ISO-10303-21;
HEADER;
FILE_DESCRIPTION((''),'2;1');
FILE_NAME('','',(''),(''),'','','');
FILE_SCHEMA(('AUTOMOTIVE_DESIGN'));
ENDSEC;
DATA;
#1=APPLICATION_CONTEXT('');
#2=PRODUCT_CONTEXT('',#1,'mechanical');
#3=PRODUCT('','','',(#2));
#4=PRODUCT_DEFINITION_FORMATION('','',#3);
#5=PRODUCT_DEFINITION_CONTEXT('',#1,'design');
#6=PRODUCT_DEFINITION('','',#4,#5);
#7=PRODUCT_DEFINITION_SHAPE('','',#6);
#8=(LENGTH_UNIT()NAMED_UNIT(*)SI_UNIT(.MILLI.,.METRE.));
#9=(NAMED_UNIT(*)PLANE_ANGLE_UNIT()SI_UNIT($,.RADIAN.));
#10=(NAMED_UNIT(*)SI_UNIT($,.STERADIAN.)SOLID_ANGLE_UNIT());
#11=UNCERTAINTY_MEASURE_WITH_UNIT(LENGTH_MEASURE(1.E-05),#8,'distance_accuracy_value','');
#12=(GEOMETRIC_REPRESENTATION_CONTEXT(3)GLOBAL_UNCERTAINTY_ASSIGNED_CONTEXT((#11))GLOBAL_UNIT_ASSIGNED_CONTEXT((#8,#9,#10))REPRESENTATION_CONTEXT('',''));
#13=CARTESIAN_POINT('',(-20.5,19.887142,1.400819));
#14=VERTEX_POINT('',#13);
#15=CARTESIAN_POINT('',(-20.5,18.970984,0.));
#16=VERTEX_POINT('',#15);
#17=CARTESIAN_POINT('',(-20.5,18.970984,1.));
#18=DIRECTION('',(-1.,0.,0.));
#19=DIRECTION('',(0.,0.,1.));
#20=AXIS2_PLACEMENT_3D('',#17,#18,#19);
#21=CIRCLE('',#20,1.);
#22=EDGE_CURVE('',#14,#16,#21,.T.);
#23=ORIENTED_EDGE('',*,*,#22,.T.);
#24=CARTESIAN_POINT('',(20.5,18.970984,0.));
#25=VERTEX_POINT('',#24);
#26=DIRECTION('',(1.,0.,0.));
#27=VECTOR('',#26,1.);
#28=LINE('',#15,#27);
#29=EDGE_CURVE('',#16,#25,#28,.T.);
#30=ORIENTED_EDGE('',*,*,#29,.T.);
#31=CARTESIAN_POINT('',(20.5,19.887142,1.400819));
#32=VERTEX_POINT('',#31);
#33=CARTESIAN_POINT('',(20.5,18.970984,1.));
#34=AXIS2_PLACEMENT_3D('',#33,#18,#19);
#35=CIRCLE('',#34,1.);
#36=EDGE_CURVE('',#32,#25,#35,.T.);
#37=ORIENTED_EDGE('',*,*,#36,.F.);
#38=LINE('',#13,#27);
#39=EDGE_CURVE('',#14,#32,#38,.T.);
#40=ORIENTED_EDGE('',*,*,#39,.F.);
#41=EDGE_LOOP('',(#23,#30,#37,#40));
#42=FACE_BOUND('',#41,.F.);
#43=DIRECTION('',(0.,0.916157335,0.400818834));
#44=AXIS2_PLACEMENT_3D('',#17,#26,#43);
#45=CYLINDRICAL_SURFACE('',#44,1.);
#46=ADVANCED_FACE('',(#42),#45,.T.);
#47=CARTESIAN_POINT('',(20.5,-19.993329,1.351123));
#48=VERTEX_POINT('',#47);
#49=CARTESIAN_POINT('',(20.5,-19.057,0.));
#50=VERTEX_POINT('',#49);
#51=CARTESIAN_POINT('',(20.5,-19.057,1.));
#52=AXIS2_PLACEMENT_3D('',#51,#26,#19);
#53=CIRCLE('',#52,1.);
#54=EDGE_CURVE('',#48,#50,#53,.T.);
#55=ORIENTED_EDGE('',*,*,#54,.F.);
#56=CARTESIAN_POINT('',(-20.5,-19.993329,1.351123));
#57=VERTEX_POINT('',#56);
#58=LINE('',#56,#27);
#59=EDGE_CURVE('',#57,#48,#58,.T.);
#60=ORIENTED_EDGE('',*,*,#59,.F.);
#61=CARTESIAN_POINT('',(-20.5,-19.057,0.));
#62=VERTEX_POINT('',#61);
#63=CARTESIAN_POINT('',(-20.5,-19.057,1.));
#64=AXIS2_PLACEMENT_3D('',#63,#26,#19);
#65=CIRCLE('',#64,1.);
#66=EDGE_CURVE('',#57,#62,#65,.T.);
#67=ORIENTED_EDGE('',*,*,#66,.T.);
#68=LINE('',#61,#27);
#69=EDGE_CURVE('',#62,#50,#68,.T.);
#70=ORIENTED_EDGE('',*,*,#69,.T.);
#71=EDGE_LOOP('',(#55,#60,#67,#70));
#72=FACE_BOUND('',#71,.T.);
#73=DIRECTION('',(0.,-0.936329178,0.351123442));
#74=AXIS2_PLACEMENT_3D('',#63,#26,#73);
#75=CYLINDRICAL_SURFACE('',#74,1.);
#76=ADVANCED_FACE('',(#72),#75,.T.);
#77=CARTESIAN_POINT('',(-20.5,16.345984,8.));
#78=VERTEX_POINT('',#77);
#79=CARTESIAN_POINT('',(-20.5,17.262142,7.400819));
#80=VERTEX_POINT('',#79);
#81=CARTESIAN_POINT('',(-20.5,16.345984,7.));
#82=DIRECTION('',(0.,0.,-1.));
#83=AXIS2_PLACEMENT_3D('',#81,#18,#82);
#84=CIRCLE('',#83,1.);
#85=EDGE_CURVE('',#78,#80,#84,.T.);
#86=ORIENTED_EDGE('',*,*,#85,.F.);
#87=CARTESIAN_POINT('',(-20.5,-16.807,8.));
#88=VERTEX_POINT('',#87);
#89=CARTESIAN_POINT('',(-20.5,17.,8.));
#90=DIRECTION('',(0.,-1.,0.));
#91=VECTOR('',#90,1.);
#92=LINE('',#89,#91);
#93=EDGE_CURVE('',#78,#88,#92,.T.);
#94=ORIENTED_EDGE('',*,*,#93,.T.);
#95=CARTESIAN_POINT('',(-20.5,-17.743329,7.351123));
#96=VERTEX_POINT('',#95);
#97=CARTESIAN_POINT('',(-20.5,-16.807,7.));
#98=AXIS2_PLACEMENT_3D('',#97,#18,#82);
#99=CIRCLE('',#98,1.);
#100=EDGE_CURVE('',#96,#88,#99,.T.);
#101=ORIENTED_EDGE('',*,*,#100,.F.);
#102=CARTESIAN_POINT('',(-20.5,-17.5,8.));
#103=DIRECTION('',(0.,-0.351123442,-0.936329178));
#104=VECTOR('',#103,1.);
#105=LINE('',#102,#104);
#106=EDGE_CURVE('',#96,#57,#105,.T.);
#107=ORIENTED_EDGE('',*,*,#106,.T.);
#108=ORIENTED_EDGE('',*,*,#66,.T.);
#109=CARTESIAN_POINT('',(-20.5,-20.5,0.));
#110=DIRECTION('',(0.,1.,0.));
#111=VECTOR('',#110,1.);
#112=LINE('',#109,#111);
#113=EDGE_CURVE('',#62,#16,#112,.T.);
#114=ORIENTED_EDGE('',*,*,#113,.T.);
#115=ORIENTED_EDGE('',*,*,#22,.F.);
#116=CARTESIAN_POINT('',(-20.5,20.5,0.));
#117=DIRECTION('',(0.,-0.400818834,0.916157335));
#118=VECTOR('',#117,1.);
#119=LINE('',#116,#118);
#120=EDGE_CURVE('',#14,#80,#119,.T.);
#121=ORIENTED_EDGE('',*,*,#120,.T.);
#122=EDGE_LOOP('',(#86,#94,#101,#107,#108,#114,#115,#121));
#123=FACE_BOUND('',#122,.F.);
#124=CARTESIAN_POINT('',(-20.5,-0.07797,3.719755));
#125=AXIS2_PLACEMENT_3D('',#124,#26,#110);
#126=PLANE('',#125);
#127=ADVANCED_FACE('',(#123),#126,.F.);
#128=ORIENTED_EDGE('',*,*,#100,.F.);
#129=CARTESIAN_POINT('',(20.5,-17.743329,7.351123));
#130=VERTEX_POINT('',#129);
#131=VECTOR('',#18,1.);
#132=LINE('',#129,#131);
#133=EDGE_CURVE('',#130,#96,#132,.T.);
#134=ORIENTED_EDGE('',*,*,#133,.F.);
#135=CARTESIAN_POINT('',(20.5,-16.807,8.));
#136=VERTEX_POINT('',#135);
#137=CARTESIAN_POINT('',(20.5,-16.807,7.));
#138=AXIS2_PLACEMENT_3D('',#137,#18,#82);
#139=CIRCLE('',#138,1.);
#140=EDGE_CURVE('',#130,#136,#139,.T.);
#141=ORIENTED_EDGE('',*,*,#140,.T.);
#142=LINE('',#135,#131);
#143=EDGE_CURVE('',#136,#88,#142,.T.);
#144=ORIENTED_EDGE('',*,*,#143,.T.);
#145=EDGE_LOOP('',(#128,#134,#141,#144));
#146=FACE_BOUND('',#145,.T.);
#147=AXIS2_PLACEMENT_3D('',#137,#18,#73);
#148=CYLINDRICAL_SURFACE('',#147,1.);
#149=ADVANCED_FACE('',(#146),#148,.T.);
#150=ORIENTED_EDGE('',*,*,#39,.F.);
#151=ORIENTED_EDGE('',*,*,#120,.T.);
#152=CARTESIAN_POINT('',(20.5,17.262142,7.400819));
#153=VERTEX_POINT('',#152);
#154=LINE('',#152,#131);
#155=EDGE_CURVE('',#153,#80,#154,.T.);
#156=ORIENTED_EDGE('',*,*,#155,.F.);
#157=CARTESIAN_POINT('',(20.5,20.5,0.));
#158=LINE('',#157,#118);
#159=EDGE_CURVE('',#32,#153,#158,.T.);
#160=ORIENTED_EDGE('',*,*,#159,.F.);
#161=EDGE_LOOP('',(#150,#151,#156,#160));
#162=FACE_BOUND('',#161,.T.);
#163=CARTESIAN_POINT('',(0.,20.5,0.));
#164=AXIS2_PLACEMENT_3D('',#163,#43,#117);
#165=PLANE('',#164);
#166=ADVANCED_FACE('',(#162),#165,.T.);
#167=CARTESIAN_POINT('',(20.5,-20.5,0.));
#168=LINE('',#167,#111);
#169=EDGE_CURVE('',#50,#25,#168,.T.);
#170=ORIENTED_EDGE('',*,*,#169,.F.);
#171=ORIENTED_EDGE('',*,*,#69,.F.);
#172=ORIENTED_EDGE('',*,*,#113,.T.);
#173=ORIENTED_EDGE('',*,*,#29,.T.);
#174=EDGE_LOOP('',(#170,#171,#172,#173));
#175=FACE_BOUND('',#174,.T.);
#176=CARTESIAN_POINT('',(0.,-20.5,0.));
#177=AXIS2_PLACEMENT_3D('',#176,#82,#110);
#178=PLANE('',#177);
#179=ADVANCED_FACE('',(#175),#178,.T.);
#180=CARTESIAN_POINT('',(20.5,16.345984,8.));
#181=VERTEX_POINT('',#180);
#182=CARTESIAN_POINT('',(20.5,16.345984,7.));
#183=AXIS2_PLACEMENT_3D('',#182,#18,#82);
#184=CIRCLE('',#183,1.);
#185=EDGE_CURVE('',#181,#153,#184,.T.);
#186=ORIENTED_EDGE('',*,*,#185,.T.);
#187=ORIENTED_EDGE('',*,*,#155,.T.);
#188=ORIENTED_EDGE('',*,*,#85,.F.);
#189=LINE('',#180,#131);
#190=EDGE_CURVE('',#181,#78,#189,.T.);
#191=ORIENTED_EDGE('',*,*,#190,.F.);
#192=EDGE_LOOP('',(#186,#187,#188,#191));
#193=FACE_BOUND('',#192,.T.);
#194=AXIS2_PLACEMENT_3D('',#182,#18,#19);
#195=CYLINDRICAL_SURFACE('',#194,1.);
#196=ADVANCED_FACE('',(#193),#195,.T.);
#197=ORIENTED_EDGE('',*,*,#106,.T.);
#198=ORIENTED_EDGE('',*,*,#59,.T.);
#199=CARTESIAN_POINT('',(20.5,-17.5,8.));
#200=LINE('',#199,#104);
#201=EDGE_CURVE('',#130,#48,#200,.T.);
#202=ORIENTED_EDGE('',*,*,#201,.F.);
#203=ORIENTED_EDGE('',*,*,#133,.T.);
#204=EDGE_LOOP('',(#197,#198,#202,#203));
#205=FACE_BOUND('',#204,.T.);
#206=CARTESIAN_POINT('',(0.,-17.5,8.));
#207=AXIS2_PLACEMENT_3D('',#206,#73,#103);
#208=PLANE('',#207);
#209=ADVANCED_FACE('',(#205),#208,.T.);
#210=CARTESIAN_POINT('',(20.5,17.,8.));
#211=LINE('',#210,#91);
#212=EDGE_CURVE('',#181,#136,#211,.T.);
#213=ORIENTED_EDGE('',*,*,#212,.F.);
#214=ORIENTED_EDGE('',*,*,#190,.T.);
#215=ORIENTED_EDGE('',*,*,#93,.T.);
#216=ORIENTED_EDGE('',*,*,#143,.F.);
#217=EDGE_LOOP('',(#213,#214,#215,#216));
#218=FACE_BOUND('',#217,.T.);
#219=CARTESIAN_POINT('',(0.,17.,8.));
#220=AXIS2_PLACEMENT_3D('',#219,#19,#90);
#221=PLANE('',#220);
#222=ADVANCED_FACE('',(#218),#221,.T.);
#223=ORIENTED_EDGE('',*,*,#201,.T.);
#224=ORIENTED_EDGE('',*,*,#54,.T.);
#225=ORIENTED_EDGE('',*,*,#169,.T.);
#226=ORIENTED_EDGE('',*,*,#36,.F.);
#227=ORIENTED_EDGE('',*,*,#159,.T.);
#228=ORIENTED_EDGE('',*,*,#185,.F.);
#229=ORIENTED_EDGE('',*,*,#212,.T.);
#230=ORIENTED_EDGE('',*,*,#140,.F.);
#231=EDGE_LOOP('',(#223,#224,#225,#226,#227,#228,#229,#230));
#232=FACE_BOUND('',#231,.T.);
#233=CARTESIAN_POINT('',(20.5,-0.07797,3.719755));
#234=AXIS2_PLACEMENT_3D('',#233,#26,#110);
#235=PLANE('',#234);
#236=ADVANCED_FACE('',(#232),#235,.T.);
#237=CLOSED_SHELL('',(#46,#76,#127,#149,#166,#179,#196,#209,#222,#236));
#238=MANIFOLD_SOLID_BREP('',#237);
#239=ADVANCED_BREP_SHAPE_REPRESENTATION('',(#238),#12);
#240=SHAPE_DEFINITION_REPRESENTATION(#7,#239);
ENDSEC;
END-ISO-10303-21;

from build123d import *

# Parameters (mm, degrees)
F1_DEPTH = 20.5
F2_R     = 1


with BuildPart() as f1:
    # F0 (on Right) → F1 (new body, symmetric)
    with BuildSketch(Plane.YZ):
        Polygon((-17.5, 8), (-20.5, 0), (20.5, 0), (17, 8), align=None)
    extrude(amount=F1_DEPTH, both=True)

    # F2
    f2_edges = [f1.edges().sort_by_distance(p)[0] for p in [
        (0, -20.5, 0),
        (0, -17.5, 8),
        (0, 17, 8),
        (0, 20.5, 0),
    ]]
    fillet(f2_edges, radius=F2_R)


solid = f1.part
